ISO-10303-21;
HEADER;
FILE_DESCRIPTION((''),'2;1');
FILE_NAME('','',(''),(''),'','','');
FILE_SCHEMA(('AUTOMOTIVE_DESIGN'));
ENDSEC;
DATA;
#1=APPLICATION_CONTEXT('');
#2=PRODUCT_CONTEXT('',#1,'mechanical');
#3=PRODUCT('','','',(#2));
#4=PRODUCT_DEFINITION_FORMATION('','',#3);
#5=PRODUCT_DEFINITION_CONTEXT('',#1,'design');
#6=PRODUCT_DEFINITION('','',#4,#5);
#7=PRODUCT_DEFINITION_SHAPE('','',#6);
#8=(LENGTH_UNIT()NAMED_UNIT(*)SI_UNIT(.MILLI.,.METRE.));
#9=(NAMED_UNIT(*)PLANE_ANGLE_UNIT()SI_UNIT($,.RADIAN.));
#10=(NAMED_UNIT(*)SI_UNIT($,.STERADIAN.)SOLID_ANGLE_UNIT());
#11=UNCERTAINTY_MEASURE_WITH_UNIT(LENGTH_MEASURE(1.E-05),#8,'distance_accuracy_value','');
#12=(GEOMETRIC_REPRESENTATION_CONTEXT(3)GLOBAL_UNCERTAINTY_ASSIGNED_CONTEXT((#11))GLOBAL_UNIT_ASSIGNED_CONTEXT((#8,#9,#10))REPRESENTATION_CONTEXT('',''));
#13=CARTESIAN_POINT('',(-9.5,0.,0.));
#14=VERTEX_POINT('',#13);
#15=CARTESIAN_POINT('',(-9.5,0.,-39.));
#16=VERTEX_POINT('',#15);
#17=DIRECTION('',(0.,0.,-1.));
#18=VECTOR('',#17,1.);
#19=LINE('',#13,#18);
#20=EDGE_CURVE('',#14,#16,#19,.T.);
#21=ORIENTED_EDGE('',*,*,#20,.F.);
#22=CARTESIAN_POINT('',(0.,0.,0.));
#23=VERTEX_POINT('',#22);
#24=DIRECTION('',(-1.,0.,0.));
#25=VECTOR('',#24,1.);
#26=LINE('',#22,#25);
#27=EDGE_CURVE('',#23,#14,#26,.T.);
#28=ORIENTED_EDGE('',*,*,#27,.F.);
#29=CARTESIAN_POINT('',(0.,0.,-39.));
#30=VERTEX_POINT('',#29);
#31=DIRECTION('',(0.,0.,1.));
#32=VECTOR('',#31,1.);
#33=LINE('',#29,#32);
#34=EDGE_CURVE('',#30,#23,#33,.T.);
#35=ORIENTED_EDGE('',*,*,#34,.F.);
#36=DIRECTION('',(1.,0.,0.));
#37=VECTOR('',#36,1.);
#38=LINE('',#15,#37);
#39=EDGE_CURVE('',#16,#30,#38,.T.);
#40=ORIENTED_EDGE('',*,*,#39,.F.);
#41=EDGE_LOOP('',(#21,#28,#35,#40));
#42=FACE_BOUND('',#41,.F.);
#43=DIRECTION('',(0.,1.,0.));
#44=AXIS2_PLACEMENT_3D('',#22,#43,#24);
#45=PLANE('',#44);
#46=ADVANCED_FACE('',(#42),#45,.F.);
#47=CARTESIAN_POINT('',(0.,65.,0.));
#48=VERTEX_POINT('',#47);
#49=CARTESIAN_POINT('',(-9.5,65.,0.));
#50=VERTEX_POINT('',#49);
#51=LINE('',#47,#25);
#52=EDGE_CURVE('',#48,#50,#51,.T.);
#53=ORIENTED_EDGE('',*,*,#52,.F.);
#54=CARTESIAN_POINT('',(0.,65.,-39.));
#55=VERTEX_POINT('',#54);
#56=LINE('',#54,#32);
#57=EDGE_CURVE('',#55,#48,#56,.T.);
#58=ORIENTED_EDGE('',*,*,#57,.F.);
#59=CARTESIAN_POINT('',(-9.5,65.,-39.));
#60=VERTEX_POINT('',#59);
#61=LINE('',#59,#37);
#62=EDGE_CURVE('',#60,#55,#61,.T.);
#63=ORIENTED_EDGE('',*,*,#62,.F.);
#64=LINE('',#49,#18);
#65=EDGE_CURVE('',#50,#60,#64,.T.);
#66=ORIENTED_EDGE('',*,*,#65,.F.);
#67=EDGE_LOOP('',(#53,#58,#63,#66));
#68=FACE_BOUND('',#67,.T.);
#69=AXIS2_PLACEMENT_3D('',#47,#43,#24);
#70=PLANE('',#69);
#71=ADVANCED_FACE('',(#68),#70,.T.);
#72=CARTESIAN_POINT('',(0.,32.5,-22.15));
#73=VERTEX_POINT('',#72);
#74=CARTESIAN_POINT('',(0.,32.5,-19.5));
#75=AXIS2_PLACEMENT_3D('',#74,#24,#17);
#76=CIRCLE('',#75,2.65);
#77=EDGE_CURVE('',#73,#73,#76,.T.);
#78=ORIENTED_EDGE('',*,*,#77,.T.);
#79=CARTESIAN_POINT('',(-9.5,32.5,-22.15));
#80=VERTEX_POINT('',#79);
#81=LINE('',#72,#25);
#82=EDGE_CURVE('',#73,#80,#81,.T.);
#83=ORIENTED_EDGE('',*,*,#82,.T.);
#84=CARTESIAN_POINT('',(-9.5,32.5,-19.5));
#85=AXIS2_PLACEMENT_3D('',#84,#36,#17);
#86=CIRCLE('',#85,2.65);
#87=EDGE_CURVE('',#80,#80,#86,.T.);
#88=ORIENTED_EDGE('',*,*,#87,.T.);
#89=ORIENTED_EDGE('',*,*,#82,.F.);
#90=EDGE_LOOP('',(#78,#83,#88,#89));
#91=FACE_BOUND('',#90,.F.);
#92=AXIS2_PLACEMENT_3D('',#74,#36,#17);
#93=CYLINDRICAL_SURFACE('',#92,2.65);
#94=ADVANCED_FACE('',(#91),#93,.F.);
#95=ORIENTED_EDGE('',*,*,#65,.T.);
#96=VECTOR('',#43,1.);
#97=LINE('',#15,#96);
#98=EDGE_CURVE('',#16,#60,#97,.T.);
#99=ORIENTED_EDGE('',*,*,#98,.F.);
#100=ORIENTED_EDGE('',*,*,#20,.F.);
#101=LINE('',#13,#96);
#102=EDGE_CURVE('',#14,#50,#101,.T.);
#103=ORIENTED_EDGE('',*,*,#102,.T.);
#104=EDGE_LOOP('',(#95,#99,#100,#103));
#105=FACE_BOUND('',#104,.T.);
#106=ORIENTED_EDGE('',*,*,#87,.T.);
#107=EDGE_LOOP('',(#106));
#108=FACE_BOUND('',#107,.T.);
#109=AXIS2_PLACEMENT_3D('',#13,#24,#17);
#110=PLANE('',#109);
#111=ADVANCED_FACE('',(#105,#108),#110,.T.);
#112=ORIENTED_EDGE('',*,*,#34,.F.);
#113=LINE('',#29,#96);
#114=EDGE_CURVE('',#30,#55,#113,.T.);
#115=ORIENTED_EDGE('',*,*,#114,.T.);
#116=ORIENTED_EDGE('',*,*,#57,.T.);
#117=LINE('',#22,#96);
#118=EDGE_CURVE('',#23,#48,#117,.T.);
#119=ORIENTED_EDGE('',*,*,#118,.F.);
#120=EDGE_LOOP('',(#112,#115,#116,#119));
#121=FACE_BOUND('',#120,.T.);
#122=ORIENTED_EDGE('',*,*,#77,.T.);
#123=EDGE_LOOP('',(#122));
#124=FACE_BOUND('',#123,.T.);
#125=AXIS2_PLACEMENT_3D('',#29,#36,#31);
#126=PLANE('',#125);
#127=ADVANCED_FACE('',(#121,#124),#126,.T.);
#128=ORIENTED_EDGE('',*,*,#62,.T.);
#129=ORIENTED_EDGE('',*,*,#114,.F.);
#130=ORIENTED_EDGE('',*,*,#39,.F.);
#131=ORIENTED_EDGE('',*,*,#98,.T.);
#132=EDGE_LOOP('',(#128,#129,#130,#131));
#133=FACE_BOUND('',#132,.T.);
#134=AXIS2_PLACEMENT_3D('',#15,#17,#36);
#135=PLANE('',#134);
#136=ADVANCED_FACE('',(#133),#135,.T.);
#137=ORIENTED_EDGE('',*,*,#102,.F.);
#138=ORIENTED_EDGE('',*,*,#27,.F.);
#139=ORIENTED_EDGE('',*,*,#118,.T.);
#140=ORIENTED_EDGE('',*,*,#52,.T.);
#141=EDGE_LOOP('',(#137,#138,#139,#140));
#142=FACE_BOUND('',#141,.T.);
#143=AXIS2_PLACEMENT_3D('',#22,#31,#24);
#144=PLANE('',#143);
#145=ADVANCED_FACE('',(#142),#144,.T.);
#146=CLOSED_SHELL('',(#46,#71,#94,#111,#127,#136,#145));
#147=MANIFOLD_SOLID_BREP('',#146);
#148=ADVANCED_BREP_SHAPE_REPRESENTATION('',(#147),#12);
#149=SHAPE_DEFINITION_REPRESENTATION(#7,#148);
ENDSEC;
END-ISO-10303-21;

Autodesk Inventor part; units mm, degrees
ref_plane "YZ Plane" through (0, 0, 0) normal (1, 0, 0) x (0, 1, 0)
ref_plane "XZ Plane" through (0, 0, 0) normal (0, 1, 0) x (-1, 0, 0)
ref_plane "XY Plane" through (0, 0, 0) normal (0, 0, 1) x (1, 0, 0)
sketch "Sketch1" plane through (0, 0, 0) normal (0, 1, 0) x (-1, 0, 0)
  line L0 (0, 0) -> (9.5, 0)
  line L1 (9.5, 0) -> (9.5, -39)
  line L2 (9.5, -39) -> (0, -39)
  line L3 (0, -39) -> (0, 0)
  dimension "d0" = 9.5
  dimension "d2" = 39
extrude "Extrusion1" add sketch "Sketch1" along normal blind 65
sketch "Sketch2" plane through (0, 0, 0) normal (1, 0, 0) x (0, 0, -1)
  line L0 (39, 65) -> (0, 65) projected
  line L1 (0, 65) -> (39, 0)
  circle A0 centre (19.5, 32.5) radius 2.65
  point P0 (0, 0)
  dimension "d5" = 5.3
extrude "Extrusion2" cut sketch "Sketch2" against normal through all
properties part number "TENSOR"
